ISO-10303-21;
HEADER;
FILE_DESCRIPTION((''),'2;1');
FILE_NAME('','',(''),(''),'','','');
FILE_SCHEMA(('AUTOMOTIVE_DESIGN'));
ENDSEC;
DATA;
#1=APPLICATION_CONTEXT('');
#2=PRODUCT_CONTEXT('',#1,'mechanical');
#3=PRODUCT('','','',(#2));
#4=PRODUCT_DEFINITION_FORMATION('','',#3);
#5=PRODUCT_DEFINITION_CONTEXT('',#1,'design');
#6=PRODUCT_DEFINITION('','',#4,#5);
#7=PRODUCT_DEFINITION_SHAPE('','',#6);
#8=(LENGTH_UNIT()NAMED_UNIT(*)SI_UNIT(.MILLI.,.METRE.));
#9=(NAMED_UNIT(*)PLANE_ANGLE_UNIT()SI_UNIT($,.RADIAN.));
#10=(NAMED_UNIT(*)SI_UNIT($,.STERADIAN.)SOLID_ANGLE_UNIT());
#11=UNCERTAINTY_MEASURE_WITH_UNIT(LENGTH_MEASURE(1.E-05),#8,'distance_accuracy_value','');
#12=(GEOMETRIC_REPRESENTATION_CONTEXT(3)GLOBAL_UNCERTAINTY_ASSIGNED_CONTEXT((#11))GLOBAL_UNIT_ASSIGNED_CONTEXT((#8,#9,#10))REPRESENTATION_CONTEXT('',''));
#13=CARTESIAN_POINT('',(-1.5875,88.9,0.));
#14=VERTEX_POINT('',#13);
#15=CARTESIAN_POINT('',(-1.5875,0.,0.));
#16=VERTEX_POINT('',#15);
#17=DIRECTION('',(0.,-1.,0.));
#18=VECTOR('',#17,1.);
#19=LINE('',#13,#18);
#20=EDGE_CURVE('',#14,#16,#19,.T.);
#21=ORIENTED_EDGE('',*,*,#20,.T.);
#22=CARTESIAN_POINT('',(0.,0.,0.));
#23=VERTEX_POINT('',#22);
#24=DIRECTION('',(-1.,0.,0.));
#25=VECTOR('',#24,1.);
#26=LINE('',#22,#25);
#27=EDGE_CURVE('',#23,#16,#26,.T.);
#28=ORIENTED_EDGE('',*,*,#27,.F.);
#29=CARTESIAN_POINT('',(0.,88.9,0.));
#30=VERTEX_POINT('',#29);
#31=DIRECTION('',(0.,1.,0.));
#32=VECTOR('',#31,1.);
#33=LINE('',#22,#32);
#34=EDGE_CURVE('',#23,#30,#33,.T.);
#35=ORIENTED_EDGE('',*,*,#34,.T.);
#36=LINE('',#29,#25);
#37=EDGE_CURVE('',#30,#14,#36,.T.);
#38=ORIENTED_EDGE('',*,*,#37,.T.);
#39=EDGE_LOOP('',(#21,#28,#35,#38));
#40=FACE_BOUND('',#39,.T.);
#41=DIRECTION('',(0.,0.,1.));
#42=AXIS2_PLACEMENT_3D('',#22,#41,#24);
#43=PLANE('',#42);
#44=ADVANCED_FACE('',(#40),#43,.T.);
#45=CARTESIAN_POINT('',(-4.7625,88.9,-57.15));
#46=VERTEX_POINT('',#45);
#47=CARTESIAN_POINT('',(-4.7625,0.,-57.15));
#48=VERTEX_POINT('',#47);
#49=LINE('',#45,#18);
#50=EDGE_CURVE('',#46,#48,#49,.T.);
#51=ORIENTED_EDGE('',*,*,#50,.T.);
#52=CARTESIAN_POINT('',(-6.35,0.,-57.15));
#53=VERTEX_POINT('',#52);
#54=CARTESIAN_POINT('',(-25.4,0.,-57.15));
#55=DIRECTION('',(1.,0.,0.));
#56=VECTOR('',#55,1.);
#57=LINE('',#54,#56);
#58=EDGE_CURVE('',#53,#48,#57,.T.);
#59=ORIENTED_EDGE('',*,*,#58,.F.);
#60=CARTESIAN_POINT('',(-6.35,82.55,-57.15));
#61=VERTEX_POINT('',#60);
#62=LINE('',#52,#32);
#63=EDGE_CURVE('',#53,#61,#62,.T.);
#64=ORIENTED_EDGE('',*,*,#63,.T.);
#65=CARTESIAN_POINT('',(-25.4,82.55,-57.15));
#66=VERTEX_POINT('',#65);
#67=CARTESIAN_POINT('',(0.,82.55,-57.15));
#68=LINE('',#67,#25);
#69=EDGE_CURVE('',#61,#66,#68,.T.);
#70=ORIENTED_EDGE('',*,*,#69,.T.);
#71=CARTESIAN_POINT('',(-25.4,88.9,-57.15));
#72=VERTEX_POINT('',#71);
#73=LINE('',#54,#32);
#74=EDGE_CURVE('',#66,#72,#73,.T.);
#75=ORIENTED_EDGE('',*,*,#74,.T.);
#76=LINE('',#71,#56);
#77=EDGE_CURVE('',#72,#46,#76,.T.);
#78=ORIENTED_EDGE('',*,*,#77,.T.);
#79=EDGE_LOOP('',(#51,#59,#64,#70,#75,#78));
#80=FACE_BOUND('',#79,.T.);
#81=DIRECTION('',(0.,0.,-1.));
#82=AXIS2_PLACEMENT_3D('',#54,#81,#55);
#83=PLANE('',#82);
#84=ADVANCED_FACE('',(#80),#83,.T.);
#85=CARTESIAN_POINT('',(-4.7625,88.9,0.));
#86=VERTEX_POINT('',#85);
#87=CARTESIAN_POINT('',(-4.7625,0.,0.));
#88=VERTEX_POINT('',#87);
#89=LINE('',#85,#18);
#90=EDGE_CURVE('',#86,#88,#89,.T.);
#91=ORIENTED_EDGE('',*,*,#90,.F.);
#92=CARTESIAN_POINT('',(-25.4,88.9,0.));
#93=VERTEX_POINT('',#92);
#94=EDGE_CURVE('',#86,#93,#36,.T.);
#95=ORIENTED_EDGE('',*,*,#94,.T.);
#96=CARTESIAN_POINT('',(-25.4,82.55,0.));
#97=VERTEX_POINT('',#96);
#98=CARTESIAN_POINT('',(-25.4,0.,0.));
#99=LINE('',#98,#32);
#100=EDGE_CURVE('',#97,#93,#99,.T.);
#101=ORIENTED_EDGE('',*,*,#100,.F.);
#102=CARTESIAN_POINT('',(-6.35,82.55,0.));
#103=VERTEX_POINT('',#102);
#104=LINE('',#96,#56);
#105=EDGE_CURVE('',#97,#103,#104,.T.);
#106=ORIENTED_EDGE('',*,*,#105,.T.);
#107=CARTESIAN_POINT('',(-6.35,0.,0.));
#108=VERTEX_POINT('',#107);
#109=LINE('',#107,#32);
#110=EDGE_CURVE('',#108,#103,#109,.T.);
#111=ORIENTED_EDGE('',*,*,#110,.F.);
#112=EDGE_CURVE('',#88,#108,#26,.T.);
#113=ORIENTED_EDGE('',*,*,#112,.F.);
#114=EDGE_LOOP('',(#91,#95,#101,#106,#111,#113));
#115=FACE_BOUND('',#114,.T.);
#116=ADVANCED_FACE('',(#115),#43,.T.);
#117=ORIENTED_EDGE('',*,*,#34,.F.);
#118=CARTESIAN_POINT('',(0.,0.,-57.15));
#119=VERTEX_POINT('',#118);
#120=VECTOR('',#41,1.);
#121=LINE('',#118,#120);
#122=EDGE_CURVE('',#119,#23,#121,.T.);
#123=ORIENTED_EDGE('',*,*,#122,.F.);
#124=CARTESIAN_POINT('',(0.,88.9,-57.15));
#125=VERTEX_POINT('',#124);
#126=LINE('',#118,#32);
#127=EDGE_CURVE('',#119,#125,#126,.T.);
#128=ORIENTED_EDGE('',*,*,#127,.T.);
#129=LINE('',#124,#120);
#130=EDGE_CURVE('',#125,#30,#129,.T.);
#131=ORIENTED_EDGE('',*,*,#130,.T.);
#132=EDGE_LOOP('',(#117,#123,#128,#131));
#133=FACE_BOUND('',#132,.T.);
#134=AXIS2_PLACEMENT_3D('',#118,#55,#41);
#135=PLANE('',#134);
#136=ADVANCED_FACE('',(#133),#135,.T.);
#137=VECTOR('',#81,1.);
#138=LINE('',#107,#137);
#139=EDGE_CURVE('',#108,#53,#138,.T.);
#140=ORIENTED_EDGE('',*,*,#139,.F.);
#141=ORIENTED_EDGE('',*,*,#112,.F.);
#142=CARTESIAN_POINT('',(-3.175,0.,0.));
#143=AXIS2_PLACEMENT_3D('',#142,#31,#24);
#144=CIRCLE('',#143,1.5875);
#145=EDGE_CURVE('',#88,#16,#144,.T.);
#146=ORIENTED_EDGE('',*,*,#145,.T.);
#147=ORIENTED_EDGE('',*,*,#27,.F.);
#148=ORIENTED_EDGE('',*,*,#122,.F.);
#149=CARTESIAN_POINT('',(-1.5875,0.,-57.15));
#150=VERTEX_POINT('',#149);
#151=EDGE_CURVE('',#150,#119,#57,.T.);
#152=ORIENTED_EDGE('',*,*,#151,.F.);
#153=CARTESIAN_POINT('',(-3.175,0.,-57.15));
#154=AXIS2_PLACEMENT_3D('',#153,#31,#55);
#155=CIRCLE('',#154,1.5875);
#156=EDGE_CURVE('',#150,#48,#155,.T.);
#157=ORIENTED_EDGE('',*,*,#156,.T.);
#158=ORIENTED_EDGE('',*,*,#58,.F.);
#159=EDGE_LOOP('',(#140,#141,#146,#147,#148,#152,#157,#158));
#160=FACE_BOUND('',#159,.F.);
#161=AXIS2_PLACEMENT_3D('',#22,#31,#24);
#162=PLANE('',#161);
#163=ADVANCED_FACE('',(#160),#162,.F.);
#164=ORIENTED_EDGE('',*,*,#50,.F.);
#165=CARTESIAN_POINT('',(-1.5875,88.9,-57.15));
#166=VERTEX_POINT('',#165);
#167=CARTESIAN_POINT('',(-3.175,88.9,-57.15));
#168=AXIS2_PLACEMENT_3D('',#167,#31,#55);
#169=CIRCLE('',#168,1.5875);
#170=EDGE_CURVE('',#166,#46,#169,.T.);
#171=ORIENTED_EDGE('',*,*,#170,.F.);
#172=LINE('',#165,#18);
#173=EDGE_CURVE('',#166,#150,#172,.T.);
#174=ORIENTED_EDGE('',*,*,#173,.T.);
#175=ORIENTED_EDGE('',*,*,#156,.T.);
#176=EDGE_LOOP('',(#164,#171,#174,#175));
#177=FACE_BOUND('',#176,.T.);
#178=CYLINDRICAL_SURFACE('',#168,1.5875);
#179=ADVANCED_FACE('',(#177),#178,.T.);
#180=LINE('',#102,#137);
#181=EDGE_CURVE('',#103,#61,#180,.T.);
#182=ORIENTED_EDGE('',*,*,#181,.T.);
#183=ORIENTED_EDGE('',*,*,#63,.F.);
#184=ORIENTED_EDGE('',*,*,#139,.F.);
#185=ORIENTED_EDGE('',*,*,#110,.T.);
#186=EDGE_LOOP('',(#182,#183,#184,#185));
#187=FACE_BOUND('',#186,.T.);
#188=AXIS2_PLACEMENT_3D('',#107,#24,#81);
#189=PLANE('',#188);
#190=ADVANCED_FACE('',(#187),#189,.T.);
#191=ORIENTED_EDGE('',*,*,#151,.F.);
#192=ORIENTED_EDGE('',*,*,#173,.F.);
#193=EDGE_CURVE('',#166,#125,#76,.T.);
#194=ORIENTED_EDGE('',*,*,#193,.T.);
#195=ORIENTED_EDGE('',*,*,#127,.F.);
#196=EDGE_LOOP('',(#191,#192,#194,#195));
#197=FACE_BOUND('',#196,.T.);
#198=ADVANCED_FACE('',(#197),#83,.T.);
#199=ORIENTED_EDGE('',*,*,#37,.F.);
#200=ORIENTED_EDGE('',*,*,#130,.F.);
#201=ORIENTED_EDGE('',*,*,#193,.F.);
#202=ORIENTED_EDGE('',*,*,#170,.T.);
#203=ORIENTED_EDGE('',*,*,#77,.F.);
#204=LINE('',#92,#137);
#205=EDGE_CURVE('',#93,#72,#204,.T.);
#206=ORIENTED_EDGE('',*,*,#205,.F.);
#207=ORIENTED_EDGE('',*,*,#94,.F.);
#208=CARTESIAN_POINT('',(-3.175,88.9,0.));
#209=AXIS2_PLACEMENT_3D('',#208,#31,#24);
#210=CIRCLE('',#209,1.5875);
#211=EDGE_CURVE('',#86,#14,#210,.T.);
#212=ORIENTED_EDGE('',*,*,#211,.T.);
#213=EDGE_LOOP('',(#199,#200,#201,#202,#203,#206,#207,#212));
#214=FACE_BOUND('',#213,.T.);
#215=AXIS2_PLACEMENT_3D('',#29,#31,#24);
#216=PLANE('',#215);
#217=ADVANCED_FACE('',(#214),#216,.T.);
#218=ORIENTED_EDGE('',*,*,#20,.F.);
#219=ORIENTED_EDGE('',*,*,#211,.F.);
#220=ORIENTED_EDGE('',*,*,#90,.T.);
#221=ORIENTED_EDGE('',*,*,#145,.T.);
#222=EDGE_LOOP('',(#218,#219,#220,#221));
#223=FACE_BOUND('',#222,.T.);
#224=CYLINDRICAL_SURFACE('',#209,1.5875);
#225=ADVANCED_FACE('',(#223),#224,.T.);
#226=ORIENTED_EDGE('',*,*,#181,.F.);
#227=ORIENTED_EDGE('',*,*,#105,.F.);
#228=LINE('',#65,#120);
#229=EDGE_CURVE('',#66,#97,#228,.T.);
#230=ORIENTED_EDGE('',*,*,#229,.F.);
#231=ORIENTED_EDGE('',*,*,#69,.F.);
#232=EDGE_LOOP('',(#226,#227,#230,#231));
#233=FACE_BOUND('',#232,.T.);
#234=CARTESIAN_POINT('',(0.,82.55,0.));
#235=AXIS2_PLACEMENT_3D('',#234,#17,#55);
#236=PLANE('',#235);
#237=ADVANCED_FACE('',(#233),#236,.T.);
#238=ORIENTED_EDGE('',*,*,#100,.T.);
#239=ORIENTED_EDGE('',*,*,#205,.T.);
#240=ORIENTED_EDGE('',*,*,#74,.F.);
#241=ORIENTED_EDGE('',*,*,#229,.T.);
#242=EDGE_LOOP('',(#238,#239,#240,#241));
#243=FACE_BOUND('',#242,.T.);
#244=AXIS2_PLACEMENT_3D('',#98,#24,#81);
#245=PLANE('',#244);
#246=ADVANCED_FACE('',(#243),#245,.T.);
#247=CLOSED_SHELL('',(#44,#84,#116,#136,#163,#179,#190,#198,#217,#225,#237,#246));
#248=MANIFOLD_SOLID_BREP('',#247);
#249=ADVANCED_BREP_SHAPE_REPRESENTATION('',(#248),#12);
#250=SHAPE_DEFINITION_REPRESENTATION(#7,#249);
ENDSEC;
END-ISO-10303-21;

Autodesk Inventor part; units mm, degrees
ref_plane "YZ Plane" through (0, 0, 0) normal (1, 0, 0) x (0, 1, 0)
ref_plane "XZ Plane" through (0, 0, 0) normal (0, 1, 0) x (-1, 0, 0)
ref_plane "XY Plane" through (0, 0, 0) normal (0, 0, 1) x (1, 0, 0)
sketch "Sketch1" plane through (0, 0, 0) normal (0, 1, 0) x (-1, 0, 0)
  line L0 (0, 0) -> (25.4, 0)
  line L1 (25.4, 0) -> (25.4, -57.15)
  line L2 (25.4, -57.15) -> (0, -57.15)
  line L3 (0, -57.15) -> (0, 0)
  dimension "d0" = 25.4
  dimension "d1" = 57.15
extrude "Extrusion1" add sketch "Sketch1" along normal blind 88.9
sketch "Sketch2" plane through (0, 0, 0) normal (0, -1, 0) x (1, 0, 0)
  line L0 (0, 0) -> (-6.35, 0)
  line L1 (-25.4, 0) -> (0, 0) projected
  line L2 (-6.35, 0) -> (-6.35, -57.15)
  line L3 (0, -57.15) -> (-25.4, -57.15) projected
  line L4 (-6.35, 0) -> (-25.4, 0)
  line L5 (-25.4, -57.15) -> (-25.4, 0) projected
  line L6 (-25.4, -57.15) -> (-25.4, 0)
  line L7 (-25.4, -57.15) -> (-6.35, -57.15)
  dimension "d4" = 6.35
extrude "Extrusion2" cut sketch "Sketch2" against normal blind 82.55
sketch "Sketch3" plane through (0, 88.9, 0) normal (0, 1, 0) x (1, 0, 0)
  line L0 (0, 0) -> (0, 57.15) projected
  line L1 (0, 57.15) -> (-3.175, 57.15)
  line L2 (-6.35, 57.15) -> (0, 57.15) projected
  arc A0 (-1.5875, 57.15) -> (-4.7625, 57.15) centre (-3.175, 57.15) ccw
  line L3 (-4.7625, 57.15) -> (0, 57.15)
  arc A1 (-4.7625, 0) -> (-1.5875, 0) centre (-3.175, 0) ccw
  line L4 (-4.7625, 0) -> (-1.5875, 0)
  line L5 (0, 0) -> (-3.175, 0)
  dimension "d12" = 3.175
  dimension "d13" = 3.175
  dimension "d17" = 3.175
  dimension "d18" = 3.175
extrude "Extrusion3" add sketch "Sketch3" against normal blind 88.9
properties part number "arduinocase"
